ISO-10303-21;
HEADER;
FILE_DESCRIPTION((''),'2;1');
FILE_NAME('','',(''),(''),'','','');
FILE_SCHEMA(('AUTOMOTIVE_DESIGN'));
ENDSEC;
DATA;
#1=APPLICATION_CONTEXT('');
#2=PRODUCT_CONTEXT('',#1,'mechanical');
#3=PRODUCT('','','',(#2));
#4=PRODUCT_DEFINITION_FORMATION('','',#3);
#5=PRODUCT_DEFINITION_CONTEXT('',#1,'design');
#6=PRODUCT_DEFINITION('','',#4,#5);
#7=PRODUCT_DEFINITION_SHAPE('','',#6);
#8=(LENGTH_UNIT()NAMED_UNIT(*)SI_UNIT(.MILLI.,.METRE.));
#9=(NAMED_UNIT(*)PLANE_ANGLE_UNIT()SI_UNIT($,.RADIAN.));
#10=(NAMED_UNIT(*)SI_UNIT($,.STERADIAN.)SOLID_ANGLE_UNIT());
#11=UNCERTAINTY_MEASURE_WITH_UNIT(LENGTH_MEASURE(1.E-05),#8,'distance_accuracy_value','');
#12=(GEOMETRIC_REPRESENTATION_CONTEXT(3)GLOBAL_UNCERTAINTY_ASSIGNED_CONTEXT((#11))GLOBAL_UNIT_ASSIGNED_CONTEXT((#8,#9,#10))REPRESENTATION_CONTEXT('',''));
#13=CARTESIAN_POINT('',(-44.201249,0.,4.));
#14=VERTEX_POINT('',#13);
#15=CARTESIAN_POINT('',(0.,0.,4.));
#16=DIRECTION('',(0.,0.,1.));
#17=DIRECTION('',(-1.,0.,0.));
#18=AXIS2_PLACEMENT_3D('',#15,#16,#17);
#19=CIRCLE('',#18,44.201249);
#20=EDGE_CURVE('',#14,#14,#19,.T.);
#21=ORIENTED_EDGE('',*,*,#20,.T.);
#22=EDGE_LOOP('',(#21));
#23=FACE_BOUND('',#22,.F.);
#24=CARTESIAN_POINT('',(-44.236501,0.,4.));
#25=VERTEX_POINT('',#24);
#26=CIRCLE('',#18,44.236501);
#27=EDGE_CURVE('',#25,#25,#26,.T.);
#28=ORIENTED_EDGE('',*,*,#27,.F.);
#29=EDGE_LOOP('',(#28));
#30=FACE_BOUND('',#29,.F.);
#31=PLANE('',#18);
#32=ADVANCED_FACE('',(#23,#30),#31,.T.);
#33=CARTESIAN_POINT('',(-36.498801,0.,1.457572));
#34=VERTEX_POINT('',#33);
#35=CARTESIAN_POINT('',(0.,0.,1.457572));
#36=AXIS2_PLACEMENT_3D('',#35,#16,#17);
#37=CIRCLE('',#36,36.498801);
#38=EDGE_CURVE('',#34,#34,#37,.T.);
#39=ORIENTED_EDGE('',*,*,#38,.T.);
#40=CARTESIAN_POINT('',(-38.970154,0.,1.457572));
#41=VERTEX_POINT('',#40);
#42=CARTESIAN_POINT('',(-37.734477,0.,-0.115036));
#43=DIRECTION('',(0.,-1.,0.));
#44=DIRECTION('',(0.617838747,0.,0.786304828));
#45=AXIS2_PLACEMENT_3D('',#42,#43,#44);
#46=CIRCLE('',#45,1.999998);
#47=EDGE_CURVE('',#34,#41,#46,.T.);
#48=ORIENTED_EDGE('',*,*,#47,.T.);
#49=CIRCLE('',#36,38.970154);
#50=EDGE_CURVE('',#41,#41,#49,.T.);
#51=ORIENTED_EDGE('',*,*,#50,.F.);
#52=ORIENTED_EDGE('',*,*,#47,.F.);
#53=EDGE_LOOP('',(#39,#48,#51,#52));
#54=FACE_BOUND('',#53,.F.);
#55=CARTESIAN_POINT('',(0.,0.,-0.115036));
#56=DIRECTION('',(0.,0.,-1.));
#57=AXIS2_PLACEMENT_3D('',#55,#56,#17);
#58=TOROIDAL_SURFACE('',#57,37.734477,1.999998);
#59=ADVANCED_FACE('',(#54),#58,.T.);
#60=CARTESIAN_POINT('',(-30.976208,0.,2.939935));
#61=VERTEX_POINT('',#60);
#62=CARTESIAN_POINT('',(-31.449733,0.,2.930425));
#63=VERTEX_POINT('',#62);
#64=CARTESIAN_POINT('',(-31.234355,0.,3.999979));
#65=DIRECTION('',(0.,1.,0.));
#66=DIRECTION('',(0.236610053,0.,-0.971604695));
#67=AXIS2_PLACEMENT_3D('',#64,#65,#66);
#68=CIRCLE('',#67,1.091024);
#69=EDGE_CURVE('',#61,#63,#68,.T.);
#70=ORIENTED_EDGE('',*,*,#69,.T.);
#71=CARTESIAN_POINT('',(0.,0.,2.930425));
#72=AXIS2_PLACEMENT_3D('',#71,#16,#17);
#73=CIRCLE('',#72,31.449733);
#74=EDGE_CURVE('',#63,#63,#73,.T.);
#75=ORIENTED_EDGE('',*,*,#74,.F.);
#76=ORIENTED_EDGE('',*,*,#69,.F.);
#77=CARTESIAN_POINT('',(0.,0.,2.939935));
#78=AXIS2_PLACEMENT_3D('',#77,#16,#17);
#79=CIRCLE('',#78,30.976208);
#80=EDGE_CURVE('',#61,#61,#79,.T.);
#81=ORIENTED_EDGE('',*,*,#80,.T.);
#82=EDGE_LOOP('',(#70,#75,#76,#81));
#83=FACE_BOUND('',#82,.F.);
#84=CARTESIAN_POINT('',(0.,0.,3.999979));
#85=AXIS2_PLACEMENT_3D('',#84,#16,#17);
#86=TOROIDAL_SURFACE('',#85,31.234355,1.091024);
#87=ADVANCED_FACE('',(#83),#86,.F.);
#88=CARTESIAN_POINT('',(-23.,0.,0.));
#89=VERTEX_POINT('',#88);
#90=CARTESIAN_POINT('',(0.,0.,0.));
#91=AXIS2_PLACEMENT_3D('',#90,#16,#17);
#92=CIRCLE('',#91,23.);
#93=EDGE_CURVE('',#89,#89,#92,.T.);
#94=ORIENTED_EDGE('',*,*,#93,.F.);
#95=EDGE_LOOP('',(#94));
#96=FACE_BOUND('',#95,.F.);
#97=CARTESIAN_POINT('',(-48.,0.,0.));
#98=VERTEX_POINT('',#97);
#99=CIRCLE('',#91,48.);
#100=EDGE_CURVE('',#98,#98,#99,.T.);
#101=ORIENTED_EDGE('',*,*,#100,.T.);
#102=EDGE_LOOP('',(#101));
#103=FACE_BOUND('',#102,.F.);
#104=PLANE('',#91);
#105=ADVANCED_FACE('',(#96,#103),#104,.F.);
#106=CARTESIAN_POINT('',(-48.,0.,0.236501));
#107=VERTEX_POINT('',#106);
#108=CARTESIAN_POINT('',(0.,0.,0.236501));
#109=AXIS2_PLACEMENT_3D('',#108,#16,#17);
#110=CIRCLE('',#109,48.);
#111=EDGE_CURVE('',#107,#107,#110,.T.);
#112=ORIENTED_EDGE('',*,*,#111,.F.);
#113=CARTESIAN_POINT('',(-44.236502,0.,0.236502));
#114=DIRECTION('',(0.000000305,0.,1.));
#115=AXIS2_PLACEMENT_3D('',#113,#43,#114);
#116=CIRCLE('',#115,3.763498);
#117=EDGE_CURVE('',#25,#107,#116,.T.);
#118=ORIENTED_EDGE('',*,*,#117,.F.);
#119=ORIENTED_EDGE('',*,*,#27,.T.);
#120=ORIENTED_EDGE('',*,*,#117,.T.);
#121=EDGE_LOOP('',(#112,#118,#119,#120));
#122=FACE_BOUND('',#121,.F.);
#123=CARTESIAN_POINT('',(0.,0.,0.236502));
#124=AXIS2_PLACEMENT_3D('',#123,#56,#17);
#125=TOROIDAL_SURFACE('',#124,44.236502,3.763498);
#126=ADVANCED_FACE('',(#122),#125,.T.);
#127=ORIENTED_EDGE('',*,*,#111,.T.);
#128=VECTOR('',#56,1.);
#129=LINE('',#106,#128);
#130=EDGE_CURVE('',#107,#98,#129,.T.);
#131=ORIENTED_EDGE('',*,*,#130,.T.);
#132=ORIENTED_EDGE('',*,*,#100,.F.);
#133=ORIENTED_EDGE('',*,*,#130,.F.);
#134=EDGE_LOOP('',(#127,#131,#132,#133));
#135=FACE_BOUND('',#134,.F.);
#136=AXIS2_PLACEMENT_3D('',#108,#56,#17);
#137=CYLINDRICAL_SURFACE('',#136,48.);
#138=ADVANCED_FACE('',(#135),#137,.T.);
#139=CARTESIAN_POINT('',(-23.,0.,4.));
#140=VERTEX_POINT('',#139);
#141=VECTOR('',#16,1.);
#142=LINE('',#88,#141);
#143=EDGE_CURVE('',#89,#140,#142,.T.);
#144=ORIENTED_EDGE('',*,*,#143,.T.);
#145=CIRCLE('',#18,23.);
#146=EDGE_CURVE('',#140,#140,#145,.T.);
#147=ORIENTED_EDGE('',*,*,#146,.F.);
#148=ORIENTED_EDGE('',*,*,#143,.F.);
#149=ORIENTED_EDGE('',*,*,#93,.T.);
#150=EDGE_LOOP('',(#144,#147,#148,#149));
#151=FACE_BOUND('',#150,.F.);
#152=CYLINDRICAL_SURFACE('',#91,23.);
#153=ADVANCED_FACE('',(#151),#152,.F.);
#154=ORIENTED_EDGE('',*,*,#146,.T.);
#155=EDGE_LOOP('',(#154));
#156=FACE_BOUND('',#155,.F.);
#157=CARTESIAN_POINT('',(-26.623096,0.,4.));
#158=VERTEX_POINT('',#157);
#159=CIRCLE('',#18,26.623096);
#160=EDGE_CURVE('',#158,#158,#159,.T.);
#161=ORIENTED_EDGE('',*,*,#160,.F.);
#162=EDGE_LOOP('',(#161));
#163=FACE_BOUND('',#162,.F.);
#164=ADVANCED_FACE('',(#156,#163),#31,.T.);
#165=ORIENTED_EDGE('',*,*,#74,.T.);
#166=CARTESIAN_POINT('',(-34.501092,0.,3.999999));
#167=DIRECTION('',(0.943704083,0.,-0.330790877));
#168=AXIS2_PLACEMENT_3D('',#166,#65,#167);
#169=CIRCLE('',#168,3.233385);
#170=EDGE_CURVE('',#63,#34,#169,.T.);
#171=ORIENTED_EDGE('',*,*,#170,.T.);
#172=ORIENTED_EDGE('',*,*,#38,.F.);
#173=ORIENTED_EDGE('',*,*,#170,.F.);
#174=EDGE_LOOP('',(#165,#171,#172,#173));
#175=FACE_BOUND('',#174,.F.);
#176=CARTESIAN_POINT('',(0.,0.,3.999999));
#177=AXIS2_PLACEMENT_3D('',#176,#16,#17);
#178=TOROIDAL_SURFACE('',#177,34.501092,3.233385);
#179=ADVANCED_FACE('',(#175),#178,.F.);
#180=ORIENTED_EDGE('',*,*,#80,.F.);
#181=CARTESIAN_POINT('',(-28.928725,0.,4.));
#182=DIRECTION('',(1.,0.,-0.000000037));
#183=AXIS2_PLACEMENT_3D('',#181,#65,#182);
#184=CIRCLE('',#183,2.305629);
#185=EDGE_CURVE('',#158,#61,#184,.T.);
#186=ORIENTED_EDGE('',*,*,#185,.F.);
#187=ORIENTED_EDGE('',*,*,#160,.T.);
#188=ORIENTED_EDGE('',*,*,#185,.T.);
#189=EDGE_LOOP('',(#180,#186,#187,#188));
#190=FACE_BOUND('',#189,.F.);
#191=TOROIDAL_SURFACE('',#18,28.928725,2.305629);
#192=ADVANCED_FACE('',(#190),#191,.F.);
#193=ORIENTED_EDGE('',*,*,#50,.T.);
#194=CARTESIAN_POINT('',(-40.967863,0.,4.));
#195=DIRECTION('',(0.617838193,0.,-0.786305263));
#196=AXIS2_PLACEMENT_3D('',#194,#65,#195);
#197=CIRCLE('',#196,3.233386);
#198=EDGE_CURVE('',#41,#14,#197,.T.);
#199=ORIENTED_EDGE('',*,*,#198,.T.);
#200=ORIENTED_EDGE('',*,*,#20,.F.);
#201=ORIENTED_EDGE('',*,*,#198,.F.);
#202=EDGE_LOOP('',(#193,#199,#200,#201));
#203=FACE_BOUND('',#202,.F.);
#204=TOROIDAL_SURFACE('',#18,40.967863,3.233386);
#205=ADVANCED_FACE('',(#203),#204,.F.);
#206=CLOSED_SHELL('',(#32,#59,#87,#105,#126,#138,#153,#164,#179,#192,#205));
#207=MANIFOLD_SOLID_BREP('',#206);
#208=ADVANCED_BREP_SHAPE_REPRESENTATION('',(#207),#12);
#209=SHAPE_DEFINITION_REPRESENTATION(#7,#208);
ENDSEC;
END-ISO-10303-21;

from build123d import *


with BuildPart() as f1:
    # F0 (on Front) → F1 (revolve)
    with BuildSketch(Plane.XZ):
        with BuildLine():
            Line((-48, 0), (-23, 0))
            Line((-23, 0), (-23, 4))
            Line((-23, 4), (-26.623096, 4))
            ThreePointArc((-26.623096, 4), (-28.383203, 1.759837), (-30.976208, 2.939935))
            ThreePointArc((-30.976208, 2.939935), (-31.212448, 2.909175), (-31.449733, 2.930425))
            ThreePointArc((-31.449733, 2.930425), (-33.595626, 0.895984), (-36.498801, 1.457572))
            ThreePointArc((-36.498801, 1.457572), (-37.734478, 1.884962), (-38.970154, 1.457572))
            ThreePointArc((-38.970154, 1.457572), (-42.381266, 1.091895), (-44.201249, 4))
            Line((-44.201249, 4), (-44.236501, 4))
            ThreePointArc((-44.236501, 4), (-46.897697, 2.897697), (-48, 0.236501))
            Line((-48, 0.236501), (-48, 0))
        make_face()
    revolve(axis=Axis((0, 0, 2), (0, 0, 1)))


solid = f1.part
